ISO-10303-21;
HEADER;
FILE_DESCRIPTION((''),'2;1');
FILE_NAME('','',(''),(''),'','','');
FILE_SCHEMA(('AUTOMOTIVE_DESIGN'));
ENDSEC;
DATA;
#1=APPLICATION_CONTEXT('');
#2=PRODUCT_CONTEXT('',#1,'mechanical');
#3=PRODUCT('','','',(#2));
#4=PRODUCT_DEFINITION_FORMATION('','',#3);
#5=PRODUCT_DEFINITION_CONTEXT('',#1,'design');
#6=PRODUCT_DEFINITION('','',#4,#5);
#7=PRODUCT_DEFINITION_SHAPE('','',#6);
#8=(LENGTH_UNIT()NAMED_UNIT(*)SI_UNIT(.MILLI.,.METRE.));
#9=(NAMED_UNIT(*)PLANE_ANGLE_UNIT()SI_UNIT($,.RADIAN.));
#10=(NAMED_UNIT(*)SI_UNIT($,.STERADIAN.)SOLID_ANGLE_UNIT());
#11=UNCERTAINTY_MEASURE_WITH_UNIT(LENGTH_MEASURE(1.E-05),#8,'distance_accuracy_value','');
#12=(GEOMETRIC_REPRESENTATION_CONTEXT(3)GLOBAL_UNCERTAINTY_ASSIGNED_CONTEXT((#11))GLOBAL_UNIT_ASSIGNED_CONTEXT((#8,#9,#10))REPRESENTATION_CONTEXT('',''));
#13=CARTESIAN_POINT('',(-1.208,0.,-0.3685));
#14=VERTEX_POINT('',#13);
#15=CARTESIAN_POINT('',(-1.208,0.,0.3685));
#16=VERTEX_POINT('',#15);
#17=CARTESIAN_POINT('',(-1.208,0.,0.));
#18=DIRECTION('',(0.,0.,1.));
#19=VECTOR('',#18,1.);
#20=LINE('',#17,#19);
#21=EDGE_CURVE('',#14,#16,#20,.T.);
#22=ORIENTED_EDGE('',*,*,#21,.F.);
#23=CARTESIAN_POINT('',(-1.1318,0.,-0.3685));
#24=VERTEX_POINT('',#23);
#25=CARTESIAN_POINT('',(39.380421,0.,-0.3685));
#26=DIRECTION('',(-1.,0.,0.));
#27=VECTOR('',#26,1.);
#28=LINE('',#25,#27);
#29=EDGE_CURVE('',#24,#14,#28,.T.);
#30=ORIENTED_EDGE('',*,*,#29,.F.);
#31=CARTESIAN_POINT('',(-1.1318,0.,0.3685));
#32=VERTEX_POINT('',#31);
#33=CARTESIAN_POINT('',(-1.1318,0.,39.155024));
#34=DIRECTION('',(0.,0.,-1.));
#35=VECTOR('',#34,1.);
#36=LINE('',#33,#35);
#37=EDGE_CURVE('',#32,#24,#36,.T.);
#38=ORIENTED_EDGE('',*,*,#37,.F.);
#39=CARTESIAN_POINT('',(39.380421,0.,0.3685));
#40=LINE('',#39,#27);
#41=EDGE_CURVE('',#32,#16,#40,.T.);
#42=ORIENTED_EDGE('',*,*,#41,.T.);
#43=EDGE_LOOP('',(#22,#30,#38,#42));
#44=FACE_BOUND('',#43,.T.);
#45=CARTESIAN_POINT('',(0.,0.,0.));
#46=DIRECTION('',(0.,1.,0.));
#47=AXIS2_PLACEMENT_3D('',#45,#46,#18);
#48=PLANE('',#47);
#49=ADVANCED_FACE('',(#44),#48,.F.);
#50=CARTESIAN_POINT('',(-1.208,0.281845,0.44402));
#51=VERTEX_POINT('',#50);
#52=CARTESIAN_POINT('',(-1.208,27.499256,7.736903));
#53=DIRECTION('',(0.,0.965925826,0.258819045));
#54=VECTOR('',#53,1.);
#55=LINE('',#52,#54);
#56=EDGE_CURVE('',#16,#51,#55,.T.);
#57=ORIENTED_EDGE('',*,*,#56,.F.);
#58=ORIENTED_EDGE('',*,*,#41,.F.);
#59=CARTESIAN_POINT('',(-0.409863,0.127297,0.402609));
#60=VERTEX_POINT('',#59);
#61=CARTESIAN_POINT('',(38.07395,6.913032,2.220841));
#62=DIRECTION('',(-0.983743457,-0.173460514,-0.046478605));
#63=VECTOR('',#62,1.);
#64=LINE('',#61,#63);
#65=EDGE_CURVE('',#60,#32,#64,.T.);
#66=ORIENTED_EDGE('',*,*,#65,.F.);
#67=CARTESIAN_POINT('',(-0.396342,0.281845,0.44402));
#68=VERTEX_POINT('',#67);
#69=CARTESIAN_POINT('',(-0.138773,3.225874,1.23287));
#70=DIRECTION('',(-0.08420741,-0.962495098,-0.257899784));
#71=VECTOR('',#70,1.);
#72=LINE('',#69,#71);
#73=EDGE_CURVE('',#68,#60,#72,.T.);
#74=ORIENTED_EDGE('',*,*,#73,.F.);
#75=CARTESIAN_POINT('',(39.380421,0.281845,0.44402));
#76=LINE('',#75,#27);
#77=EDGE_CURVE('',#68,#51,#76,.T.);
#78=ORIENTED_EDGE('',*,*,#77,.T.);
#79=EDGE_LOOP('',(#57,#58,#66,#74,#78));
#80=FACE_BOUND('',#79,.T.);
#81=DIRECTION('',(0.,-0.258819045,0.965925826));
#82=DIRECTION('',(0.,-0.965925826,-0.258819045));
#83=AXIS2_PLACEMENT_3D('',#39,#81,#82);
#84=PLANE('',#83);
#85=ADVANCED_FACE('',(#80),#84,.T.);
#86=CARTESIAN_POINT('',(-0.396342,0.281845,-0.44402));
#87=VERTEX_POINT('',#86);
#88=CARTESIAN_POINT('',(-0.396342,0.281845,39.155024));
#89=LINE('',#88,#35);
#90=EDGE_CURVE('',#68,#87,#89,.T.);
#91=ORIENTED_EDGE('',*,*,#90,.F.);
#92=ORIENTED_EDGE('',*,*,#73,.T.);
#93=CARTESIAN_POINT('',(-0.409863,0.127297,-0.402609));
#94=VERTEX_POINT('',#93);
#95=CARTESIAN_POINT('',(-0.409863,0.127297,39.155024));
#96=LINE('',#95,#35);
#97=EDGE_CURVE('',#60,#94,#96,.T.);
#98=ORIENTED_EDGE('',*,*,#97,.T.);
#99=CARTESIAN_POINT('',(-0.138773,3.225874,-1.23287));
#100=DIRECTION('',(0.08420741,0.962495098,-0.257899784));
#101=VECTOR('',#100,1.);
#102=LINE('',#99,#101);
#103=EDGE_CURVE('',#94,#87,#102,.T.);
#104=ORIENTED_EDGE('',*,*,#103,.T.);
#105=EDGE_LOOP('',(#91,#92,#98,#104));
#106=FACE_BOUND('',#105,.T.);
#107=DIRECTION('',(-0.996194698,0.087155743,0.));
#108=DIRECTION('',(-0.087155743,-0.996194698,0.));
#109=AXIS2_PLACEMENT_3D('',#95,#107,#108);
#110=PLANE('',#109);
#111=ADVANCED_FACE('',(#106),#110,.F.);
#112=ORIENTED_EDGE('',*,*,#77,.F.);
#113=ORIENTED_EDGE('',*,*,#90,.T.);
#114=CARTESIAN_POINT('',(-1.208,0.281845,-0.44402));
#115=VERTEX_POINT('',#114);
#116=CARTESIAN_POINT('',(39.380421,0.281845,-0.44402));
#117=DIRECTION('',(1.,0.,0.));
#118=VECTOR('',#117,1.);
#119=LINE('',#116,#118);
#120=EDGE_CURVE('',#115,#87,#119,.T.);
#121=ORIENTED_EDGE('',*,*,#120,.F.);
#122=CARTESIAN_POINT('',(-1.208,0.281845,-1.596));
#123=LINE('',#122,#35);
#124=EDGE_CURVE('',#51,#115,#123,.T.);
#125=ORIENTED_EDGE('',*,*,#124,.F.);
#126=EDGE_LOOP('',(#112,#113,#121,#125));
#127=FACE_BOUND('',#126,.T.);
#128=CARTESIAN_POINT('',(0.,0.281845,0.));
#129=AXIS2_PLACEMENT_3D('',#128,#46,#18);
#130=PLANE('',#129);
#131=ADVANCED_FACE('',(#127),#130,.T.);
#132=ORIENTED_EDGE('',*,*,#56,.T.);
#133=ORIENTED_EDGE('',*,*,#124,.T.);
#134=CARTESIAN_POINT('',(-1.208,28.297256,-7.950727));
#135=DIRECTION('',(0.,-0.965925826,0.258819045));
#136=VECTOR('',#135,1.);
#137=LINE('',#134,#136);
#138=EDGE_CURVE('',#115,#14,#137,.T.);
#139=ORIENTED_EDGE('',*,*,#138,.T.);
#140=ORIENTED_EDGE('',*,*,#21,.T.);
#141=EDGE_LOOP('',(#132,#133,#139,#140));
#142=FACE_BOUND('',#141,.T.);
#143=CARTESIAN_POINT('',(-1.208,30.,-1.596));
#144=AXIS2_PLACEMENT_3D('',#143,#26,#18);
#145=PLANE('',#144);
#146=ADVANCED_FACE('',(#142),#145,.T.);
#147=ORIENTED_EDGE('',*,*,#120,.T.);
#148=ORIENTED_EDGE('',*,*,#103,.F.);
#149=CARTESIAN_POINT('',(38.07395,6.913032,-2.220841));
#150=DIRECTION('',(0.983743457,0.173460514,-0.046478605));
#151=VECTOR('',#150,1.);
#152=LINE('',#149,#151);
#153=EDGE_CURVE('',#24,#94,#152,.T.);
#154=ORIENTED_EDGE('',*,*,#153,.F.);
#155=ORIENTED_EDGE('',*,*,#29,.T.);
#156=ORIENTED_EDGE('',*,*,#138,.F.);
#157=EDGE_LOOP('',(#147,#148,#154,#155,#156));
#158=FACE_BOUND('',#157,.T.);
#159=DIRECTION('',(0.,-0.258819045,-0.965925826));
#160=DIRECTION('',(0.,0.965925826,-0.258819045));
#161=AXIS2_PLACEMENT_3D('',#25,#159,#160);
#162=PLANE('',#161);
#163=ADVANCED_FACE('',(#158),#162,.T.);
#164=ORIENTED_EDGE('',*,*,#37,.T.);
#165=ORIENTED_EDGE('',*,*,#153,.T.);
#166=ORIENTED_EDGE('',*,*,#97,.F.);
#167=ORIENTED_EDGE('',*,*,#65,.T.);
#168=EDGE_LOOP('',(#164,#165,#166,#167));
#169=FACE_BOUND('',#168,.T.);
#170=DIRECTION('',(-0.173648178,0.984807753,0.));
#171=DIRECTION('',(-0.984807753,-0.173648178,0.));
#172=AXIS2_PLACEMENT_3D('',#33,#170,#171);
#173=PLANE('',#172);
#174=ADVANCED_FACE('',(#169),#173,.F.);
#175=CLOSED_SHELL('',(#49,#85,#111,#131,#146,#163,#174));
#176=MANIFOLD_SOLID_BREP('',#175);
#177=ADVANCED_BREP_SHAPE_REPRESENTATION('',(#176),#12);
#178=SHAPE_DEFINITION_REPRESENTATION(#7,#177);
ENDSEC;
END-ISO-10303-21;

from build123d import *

# Parameters (mm, degrees)
TD_SKETCH_R                   = 1.586000003
TL_FEATURE_DEPTH              = 29.999999944
TDF_STD_SKETCH_W              = 3.191999966
TDF_STD_SKETCH_H              = 3.191999966
TDF_STD_FEATURE_DEPTH         = 31.083729633
ISA_20_STD_FEATURE_DEPTH      = 31.083729633
ISA_20_STD_FEATURE_DEPTH_BACK = 31.083729633
F_10BA_STD_FEATURE_DEPTH      = 31.083729633
F_10BA_STD_FEATURE_DEPTH_BACK = 31.083729633


with BuildPart() as part:
    # TD_sketch → TL_feature (new body)
    with BuildSketch(Plane(origin=(0, 0, 0), x_dir=(1, 0, 0), z_dir=(0, 1, 0))):
        with Locations(Location((0, 0, 0), (0, 0, 270))):
            Circle(TD_SKETCH_R)
    extrude(amount=TL_FEATURE_DEPTH)

    # TDF_STD_sketch → TDF_STD_feature (cut, through all)
    with BuildSketch(Plane(origin=(0, 0, 0), x_dir=(1, 0, 0), z_dir=(0, 1, 0))):
        with Locations((-2.80399998, 0)):
            Rectangle(TDF_STD_SKETCH_W, TDF_STD_SKETCH_H)
    extrude(amount=TDF_STD_FEATURE_DEPTH, mode=Mode.SUBTRACT)

    # ISA_20_STD_sketch → ISA_20_STD_feature (cut, two sides: drawn at the far end of the back side and taken through both)
    with BuildSketch(Plane(origin=(0, 0, 0), x_dir=(0, 0, -1), z_dir=(1, 0, 0)).offset(-ISA_20_STD_FEATURE_DEPTH_BACK)):
        Polygon((-27.363170453, 100.745481569), (-8.406975783, 29.999999944), (-0.368500025, 0), (0.368500025, 0), (8.406975783, 29.999999944), (27.363170453, 100.745481569), (27.363170453, -45.736742427), (-27.363170453, -45.736742427), align=None)
    extrude(amount=ISA_20_STD_FEATURE_DEPTH + ISA_20_STD_FEATURE_DEPTH_BACK, mode=Mode.SUBTRACT)

    # 10BA_STD_sketch → 10BA_STD_feature (cut, two sides: drawn at the far end of the back side and taken through both)
    with BuildSketch(Plane.XY.offset(-F_10BA_STD_FEATURE_DEPTH_BACK)):
        Polygon((-71.594734288, 0), (-1.207999997, 0), (-1.131799997, 0), (-0.409863005, 0.12729697), (2.203659854, 29.999999944), (8.338267961, 100.118891461), (118.350717996, 12.287061845), (38.417715748, -87.831829616), align=None)
    extrude(amount=F_10BA_STD_FEATURE_DEPTH + F_10BA_STD_FEATURE_DEPTH_BACK, mode=Mode.SUBTRACT)

    # cut_feature
    split(bisect_by=Plane(origin=(0, 0.281844732, 0), x_dir=(1, 0, 0), z_dir=(0, 1, 0)), keep=Keep.BOTTOM)


solid = part.part
